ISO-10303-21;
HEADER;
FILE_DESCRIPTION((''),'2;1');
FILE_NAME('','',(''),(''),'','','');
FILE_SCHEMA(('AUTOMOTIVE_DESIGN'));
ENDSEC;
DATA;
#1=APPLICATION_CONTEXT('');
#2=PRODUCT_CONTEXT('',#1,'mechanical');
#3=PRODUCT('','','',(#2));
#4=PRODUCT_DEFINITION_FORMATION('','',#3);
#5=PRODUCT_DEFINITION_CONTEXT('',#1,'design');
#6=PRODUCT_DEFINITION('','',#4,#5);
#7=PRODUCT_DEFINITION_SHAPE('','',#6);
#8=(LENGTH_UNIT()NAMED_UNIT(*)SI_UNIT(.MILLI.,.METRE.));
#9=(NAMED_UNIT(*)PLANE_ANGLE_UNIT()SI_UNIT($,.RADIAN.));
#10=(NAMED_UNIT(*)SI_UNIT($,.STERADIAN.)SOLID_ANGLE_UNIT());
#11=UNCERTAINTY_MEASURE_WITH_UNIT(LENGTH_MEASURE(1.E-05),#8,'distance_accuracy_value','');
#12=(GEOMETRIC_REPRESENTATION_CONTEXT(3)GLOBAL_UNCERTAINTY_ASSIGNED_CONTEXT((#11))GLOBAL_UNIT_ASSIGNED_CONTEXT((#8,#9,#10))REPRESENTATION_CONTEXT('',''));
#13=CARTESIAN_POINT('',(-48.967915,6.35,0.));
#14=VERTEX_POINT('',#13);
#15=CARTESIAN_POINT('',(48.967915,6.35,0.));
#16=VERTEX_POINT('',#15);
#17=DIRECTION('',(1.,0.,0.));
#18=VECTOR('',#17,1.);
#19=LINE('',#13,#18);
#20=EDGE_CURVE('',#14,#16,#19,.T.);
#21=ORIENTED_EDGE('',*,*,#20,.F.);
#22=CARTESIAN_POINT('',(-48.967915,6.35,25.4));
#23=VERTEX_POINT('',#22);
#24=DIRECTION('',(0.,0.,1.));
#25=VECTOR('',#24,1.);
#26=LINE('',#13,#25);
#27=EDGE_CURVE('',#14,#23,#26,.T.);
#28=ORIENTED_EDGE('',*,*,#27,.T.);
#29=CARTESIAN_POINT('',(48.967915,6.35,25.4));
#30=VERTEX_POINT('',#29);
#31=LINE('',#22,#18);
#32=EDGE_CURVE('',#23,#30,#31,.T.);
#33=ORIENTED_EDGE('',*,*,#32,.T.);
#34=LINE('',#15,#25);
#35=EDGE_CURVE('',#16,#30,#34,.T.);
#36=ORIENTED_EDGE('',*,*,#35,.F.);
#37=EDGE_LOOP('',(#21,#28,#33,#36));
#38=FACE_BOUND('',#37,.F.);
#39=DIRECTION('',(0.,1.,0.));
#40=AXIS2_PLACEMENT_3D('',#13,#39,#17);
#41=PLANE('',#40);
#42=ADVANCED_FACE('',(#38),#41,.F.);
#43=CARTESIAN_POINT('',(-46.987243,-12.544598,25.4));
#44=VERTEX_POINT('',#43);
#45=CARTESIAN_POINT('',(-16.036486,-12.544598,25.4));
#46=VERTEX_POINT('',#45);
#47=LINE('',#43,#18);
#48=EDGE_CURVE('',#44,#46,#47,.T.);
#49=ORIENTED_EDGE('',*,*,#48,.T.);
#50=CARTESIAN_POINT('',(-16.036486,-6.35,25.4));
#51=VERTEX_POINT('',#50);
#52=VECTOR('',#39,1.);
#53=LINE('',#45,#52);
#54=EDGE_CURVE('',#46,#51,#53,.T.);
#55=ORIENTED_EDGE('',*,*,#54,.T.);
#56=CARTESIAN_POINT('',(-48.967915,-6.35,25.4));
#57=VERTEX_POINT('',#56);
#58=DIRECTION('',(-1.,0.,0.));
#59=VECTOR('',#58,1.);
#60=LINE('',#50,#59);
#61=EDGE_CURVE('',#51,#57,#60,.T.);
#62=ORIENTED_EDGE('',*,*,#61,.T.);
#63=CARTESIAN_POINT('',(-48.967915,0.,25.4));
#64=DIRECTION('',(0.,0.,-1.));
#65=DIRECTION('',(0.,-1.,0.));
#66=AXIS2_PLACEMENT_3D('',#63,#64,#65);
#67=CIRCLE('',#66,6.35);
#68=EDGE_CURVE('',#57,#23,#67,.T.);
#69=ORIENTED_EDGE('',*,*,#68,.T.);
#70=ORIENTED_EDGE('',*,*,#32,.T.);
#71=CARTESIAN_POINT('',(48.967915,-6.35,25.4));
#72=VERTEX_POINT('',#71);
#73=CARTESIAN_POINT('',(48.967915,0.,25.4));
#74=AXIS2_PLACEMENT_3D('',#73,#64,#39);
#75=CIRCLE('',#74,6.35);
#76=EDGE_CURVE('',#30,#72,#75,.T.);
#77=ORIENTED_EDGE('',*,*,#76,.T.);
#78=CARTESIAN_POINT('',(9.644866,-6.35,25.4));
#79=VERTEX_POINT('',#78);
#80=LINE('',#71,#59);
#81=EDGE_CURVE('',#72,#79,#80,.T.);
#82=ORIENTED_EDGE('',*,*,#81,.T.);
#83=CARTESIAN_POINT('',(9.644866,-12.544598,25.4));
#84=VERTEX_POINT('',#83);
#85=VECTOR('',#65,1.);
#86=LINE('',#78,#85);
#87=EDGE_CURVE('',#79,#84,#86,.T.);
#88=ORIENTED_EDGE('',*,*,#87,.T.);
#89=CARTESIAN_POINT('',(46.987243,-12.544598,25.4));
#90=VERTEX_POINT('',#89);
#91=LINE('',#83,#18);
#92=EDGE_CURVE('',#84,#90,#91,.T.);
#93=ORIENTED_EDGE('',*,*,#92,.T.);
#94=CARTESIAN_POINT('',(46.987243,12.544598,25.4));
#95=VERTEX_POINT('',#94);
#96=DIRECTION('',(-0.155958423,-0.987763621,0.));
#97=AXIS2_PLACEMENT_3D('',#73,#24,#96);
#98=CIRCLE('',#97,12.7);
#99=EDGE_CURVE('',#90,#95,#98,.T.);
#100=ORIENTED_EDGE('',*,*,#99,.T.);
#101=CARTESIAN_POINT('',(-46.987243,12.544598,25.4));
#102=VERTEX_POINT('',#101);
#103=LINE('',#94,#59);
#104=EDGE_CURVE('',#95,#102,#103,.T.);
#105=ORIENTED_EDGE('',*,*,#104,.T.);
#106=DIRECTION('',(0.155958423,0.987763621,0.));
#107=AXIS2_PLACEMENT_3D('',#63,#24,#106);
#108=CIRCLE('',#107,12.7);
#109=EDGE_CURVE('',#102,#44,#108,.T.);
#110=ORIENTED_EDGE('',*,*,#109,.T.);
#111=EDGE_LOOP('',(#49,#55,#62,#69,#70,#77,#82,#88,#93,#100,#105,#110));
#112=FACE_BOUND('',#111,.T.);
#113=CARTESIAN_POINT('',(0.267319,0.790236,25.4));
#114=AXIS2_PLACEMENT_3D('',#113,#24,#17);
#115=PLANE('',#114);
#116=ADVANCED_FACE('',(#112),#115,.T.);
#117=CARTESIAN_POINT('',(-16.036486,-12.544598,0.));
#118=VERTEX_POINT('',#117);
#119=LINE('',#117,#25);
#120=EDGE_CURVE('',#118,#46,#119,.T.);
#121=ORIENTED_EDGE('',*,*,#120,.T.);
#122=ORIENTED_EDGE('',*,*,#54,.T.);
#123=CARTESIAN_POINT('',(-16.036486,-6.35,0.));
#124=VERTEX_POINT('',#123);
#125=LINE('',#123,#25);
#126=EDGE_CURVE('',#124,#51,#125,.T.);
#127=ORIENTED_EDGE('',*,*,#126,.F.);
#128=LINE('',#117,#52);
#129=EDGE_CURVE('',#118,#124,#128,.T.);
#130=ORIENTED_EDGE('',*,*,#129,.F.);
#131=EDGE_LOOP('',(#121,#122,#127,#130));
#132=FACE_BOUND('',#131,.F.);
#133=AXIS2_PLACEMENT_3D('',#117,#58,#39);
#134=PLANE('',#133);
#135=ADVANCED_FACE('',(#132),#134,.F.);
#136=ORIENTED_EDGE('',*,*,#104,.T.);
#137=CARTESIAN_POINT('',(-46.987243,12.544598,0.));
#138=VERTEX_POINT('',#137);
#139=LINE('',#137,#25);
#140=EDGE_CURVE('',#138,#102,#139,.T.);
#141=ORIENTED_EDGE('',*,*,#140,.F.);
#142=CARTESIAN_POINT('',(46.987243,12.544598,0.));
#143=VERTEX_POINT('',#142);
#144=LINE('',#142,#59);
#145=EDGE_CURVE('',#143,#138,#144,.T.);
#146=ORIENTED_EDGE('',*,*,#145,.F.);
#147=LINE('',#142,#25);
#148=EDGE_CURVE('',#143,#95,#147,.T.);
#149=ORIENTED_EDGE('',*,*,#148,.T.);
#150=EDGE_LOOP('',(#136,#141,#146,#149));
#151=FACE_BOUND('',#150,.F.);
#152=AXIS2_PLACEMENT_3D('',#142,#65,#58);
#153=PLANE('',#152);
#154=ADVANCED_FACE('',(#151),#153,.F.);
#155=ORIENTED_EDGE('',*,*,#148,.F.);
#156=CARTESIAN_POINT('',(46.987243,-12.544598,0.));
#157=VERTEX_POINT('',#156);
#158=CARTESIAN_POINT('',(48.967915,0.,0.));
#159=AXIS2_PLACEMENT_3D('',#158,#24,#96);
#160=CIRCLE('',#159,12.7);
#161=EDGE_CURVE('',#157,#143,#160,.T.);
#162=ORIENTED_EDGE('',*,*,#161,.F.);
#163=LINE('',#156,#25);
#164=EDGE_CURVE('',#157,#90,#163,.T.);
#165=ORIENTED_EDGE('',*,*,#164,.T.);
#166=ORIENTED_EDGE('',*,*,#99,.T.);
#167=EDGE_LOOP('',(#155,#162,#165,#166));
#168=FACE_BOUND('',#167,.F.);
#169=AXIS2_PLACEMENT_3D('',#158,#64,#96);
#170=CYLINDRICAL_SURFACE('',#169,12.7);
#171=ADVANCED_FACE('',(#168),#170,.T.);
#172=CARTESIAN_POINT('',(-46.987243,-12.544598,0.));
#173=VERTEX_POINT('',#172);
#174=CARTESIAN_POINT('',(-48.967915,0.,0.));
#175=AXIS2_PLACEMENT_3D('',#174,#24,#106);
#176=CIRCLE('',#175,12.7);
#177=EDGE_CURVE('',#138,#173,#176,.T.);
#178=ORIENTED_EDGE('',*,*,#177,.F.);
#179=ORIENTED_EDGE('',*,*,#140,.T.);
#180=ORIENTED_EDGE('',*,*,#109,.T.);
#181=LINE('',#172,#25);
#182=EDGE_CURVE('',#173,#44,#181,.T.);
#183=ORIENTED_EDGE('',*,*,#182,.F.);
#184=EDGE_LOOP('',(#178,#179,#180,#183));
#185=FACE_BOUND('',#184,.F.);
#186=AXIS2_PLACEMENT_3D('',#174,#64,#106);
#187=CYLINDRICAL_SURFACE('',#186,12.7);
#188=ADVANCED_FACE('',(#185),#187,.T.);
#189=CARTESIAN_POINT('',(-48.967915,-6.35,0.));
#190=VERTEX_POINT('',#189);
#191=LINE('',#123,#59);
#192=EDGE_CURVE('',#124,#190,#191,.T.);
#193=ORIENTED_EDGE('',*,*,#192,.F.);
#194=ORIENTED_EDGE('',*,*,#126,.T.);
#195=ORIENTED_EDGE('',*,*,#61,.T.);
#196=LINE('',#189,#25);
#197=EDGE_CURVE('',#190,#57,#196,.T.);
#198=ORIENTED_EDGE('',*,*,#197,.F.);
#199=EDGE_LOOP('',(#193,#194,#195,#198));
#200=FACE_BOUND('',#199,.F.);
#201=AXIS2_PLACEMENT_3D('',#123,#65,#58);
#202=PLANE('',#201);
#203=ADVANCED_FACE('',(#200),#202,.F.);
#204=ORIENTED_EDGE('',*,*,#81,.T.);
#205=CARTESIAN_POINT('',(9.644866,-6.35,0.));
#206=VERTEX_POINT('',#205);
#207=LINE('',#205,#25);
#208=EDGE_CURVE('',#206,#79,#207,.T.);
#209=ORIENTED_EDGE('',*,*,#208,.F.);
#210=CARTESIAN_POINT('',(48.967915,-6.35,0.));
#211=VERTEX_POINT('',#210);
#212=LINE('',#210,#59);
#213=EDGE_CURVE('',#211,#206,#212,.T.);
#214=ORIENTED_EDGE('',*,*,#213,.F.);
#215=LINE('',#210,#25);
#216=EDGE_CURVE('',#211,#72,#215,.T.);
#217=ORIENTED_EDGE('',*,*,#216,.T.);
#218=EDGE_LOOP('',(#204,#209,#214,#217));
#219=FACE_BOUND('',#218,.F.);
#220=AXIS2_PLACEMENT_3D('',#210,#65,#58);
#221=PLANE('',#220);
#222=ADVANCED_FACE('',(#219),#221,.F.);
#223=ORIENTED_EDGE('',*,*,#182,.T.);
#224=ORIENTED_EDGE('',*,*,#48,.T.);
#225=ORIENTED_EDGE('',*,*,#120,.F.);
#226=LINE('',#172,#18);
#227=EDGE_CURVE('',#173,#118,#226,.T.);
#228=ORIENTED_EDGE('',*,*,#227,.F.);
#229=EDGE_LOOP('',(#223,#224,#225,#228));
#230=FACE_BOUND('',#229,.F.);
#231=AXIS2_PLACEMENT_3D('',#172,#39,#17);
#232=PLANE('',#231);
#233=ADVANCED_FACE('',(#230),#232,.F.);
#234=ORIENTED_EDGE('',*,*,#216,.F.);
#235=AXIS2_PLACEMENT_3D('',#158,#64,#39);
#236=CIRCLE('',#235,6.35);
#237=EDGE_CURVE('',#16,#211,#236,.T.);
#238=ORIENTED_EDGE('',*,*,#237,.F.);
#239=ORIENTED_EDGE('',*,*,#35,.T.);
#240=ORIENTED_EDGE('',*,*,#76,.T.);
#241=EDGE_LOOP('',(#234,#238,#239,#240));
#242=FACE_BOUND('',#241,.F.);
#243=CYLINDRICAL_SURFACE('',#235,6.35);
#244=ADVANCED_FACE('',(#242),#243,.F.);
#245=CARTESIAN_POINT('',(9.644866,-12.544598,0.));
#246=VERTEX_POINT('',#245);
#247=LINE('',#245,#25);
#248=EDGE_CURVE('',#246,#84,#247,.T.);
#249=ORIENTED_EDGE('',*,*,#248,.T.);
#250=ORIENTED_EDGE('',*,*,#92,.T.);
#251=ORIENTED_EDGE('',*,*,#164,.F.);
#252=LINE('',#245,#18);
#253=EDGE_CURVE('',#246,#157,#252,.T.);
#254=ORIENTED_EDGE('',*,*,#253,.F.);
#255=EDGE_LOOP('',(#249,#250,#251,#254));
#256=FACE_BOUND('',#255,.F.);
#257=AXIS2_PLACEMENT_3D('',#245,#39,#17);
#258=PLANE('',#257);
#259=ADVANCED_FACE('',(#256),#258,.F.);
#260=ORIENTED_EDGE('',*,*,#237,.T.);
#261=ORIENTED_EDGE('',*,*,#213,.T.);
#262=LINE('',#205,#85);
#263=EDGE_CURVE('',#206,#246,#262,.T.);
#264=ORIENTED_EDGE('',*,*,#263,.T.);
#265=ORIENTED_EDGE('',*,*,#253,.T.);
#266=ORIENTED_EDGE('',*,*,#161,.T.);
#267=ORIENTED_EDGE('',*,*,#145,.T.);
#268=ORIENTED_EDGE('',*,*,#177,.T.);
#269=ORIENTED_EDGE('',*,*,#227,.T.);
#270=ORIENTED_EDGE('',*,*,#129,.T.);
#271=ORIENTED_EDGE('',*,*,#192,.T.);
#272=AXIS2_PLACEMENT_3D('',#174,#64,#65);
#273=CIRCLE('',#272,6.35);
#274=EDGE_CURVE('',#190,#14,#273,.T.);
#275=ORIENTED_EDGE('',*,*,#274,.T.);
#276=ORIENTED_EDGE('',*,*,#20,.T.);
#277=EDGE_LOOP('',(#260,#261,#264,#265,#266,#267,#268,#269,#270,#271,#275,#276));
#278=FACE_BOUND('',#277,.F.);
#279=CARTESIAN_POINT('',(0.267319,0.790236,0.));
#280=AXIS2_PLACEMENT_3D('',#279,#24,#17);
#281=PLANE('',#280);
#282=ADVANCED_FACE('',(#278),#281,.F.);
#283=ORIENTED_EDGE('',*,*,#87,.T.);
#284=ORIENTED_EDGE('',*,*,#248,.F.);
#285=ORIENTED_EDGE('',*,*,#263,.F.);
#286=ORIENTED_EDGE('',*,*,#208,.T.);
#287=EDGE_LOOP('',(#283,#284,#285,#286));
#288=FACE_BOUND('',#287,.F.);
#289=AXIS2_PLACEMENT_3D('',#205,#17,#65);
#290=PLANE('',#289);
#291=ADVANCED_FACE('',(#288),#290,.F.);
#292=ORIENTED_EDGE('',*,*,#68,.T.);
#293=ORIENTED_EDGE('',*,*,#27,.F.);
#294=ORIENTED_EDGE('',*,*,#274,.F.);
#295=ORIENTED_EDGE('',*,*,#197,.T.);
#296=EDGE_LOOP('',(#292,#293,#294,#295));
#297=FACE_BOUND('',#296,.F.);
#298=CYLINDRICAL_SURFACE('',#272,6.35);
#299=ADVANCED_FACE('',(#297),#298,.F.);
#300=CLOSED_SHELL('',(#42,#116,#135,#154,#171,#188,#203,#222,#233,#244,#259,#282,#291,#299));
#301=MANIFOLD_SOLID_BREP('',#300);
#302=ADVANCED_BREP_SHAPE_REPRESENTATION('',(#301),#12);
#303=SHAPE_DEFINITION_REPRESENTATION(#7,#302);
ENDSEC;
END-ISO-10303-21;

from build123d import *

# Parameters (mm, degrees)
F1_DEPTH = 25.4


with BuildPart() as f1:
    # F0 (on Top) → F1 (new body)
    with BuildSketch(Plane.XY):
        with BuildLine():
            ThreePointArc((46.987243, -12.544598), (61.667915, 0), (46.987243, 12.544598))
            Line((46.987243, 12.544598), (-46.987243, 12.544598))
            ThreePointArc((-46.987243, 12.544598), (-61.667915, 0), (-46.987243, -12.544598))
            Line((-46.987243, -12.544598), (-16.036486, -12.544598))
            Line((-16.036486, -12.544598), (-16.036486, -6.35))
            Line((-16.036486, -6.35), (-48.967915, -6.35))
            ThreePointArc((-48.967915, -6.35), (-55.317915, 0), (-48.967915, 6.35))
            Line((-48.967915, 6.35), (48.967915, 6.35))
            ThreePointArc((48.967915, 6.35), (55.317915, 0), (48.967915, -6.35))
            Line((48.967915, -6.35), (9.644866, -6.35))
            Line((9.644866, -6.35), (9.644866, -12.544598))
            Line((9.644866, -12.544598), (46.987243, -12.544598))
        make_face()
    extrude(amount=F1_DEPTH)


solid = f1.part
